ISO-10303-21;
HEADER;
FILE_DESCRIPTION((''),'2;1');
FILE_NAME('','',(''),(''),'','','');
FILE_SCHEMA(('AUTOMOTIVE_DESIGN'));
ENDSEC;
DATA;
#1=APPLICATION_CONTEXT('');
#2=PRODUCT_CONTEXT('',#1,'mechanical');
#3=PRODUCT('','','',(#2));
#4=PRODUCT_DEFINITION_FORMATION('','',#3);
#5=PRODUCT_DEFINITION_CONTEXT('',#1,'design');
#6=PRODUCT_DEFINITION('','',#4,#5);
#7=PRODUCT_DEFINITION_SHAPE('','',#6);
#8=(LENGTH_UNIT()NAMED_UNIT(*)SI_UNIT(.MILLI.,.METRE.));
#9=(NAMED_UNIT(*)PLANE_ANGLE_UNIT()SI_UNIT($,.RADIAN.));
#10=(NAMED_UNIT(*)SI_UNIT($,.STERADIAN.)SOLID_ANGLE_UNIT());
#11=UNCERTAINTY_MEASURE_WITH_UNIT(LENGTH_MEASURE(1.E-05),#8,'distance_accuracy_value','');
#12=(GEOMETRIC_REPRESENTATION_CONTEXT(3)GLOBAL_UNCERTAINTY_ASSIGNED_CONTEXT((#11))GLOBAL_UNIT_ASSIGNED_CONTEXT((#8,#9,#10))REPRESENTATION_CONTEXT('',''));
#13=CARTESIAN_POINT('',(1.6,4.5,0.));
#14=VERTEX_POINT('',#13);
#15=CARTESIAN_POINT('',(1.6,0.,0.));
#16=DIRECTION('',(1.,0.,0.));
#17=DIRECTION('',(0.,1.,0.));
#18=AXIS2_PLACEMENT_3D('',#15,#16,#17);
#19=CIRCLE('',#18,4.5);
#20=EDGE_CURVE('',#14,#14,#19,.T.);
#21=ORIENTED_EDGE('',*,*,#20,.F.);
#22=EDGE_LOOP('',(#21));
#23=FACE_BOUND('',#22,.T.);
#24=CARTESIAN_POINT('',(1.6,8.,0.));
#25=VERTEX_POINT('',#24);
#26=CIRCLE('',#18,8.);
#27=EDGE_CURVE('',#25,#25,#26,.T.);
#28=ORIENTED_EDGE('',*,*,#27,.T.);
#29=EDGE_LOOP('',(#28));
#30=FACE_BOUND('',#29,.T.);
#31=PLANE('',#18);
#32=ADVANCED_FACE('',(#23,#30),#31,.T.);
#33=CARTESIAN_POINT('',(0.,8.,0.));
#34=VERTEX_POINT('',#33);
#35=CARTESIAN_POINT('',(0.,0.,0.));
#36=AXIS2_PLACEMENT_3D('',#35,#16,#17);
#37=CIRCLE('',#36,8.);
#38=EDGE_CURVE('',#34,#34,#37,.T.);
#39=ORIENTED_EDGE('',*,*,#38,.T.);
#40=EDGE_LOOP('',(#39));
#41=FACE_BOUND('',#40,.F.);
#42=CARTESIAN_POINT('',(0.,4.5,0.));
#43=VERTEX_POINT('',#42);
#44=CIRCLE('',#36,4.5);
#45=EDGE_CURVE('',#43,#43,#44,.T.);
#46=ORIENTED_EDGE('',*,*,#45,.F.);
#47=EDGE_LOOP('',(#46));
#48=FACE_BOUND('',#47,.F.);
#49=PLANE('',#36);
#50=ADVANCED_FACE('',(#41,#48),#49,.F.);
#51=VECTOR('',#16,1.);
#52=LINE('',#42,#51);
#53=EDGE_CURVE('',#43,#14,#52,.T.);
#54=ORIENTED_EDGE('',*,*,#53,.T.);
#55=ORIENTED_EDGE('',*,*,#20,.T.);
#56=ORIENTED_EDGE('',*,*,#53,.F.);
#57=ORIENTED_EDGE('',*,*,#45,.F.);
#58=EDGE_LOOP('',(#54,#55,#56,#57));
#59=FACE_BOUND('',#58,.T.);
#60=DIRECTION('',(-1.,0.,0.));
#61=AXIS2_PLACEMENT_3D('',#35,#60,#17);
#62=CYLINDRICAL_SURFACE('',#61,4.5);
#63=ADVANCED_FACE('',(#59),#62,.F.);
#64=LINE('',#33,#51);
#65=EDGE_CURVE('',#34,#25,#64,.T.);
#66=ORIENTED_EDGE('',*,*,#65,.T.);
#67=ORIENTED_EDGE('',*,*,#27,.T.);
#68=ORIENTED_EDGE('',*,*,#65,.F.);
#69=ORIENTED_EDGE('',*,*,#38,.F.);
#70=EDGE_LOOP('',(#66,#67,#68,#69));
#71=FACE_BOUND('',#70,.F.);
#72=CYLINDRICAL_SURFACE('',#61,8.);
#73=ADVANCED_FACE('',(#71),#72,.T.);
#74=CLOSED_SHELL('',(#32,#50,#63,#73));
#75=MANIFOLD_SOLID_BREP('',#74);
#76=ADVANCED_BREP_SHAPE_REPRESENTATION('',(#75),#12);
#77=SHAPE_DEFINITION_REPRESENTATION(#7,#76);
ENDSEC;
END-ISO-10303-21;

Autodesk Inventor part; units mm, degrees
ref_plane "YZ Plane" through (0, 0, 0) normal (1, 0, 0) x (0, 1, 0)
ref_plane "XZ Plane" through (0, 0, 0) normal (0, 1, 0) x (-1, 0, 0)
sketch "Sketch" plane through (0, 0, 0) normal (1, 0, 0) x (0, 1, 0)
  circle A0 centre (0, 0) radius 8
  circle A1 centre (0, 0) radius 4.5
  dimension "d0" = 9
  dimension "d1" = 16
extrude "Body" add sketch "Sketch" along normal blind 1.6
ref_plane "Work Plane1" through (0, 0, 0) normal (0, 0, 1) x (1, 0, 0)
equation "\"d0\" = SD1"
equation "\"d1\" = SD2"
equation "\"d2\" = SD"
equation "\"SD1\" = 9"
equation "\"SD2\" = 16"
equation "\"SD\" = 1.6"
equation "\"NND\" = 8"
properties part number "ISO 7091 - ST 8 - 100 HV" material "Steel"
